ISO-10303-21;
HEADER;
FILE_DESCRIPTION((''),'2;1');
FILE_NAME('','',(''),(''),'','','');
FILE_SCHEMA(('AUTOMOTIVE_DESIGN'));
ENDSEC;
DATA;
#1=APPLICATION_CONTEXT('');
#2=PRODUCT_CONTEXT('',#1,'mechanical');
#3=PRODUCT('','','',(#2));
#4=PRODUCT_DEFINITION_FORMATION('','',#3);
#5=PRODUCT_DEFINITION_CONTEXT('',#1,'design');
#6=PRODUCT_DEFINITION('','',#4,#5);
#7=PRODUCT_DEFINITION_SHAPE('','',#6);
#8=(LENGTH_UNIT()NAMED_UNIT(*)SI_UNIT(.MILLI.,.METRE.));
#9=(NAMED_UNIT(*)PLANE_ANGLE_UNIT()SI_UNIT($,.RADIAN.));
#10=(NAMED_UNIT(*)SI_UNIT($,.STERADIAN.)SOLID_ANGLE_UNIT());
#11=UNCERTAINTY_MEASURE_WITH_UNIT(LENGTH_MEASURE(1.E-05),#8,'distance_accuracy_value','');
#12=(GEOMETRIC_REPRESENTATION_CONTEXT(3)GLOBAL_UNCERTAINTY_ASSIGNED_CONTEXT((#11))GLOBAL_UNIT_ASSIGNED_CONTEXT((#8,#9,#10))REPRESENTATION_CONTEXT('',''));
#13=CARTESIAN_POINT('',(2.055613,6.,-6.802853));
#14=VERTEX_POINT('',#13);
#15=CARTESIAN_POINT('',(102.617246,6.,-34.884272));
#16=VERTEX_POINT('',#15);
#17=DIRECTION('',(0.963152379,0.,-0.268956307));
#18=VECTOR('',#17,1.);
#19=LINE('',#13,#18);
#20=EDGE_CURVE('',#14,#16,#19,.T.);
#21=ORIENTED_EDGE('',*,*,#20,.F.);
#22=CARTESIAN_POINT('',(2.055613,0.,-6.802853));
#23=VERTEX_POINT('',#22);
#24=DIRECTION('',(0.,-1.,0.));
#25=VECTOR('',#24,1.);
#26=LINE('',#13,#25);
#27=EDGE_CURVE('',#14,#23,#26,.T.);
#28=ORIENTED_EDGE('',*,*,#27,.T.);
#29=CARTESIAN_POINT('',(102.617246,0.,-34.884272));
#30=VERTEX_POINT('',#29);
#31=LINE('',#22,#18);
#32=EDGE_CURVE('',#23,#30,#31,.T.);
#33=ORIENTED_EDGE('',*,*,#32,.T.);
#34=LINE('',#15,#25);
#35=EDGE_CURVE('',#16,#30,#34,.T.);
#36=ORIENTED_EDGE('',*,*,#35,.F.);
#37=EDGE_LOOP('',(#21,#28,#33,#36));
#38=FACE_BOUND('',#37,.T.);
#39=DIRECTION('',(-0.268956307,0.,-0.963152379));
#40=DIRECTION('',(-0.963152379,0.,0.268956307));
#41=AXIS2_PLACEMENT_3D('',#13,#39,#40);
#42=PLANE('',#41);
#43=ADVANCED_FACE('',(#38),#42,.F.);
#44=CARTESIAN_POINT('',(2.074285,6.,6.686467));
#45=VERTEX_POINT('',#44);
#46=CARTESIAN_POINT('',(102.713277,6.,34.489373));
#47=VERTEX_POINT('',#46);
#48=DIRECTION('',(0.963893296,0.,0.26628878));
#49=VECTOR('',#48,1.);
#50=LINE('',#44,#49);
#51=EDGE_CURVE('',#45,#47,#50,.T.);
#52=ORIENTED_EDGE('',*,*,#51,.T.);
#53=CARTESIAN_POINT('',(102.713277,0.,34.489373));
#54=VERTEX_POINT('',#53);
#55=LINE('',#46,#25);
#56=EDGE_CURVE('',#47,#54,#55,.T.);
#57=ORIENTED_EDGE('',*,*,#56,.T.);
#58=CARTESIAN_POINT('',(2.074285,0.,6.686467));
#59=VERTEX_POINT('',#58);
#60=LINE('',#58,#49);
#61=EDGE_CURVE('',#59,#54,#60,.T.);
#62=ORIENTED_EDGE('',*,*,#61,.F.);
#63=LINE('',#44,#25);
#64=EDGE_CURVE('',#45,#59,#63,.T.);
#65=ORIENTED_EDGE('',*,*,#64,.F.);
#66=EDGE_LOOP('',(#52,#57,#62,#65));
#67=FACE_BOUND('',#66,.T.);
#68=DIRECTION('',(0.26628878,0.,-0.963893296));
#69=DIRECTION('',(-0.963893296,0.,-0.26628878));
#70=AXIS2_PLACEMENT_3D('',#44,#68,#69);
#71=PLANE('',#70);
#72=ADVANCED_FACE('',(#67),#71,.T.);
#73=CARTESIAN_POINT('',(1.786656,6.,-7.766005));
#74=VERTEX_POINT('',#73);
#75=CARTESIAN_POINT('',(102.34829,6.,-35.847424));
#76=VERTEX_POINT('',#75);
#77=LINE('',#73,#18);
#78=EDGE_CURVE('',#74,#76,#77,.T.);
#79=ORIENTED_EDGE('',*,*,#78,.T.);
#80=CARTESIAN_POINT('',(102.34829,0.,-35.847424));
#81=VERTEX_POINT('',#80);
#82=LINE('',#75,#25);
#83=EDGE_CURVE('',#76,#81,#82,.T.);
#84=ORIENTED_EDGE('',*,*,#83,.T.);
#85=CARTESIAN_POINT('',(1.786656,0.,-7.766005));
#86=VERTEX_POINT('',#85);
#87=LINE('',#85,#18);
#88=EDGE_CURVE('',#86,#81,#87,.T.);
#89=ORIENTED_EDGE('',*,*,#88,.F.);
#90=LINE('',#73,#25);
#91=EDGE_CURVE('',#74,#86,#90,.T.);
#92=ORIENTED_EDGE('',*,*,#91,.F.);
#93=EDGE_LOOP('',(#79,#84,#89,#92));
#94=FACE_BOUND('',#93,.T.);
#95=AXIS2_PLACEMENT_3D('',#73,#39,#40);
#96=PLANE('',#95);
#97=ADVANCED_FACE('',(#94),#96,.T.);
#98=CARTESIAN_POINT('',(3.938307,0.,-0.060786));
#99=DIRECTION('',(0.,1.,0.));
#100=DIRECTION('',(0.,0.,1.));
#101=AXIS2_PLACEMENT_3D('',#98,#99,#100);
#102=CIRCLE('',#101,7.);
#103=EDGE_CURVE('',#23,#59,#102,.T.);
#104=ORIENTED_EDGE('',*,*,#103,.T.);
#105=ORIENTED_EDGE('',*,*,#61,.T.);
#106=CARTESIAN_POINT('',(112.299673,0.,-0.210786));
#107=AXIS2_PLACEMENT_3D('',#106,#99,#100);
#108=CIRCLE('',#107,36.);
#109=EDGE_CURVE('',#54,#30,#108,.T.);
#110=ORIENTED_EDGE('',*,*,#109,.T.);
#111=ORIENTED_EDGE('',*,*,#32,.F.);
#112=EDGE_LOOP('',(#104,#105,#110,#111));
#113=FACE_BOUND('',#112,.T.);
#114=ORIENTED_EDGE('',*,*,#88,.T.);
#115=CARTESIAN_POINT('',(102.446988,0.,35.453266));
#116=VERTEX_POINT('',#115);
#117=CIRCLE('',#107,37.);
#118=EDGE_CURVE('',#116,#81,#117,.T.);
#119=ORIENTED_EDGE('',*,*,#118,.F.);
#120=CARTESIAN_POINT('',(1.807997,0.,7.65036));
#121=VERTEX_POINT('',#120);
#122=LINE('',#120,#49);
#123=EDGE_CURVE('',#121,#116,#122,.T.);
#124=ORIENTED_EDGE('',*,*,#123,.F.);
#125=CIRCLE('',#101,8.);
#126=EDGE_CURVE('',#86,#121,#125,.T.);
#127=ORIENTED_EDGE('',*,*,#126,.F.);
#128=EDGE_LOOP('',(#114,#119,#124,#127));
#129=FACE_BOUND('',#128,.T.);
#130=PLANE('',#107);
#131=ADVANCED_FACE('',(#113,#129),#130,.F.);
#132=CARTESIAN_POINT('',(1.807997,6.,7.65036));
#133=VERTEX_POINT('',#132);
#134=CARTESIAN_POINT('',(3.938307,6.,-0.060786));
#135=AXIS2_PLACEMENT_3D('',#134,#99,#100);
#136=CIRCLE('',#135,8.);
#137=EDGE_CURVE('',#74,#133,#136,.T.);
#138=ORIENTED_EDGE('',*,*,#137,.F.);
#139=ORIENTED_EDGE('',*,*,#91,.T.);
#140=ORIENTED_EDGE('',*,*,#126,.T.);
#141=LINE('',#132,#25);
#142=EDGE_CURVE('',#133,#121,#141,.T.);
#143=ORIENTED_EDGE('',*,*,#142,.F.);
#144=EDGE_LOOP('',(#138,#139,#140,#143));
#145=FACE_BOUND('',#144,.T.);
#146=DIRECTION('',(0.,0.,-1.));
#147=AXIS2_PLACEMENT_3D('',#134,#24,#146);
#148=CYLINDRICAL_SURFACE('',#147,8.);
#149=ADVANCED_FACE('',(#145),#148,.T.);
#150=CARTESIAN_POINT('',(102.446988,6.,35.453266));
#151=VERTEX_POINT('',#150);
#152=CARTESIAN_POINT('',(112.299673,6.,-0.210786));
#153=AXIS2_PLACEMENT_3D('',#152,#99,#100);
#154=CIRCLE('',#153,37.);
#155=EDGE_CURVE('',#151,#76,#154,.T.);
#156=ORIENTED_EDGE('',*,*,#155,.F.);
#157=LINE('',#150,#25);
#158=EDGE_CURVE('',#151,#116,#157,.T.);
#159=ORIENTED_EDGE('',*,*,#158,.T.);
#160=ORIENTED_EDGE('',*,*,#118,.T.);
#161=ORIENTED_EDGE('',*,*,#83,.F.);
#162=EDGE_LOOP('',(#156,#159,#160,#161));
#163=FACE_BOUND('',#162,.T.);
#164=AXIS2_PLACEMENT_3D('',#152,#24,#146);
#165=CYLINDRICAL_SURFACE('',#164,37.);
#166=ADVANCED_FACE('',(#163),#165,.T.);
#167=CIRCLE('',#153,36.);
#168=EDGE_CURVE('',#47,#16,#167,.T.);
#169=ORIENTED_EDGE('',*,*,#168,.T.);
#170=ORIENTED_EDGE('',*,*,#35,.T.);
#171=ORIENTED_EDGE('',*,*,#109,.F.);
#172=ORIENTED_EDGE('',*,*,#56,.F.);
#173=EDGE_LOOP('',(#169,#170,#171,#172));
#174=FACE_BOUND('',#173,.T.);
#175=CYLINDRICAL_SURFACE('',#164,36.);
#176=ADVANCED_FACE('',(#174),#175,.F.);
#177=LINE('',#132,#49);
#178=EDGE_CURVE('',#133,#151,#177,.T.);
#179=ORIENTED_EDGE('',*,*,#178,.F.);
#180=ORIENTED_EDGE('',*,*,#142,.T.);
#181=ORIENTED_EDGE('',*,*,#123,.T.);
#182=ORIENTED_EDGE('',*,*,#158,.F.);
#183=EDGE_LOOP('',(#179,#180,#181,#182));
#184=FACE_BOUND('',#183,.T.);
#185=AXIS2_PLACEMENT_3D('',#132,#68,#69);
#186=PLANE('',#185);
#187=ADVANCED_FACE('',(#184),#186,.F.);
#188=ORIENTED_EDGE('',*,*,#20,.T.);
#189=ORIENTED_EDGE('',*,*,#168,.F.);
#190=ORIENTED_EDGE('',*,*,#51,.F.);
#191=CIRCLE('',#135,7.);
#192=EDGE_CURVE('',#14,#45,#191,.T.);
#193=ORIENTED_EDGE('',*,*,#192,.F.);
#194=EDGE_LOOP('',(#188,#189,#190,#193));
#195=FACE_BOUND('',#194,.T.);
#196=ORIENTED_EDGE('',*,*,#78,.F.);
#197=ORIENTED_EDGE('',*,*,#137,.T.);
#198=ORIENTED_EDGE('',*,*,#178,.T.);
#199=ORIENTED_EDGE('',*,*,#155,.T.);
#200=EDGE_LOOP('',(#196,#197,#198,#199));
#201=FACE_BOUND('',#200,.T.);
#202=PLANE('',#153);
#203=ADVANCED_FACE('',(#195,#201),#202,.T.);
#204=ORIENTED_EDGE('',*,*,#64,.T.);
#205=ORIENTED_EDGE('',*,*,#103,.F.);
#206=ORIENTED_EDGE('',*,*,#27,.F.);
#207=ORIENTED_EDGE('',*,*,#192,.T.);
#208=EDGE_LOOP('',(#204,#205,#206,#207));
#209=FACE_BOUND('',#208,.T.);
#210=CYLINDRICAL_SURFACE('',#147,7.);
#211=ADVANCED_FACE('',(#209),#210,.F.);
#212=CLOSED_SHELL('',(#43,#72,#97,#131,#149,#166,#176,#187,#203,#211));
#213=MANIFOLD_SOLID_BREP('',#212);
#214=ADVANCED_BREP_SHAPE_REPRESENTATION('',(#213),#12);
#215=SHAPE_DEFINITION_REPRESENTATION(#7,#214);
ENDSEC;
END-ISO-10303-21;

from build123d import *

# Parameters (mm, degrees)
BOSS_EXTRUDE1_DEPTH = 6


with BuildPart() as part:
    # Sketch1 → Boss-Extrude1 (new body)
    with BuildSketch(Plane(origin=(0, 0, 0), x_dir=(1, 0, 0), z_dir=(0, 1, 0))):
        with BuildLine():
            Line((1.807996662, -7.65036043), (102.446988033, -35.453266004))
            ThreePointArc((102.446988033, -35.453266004), (149.299637462, 0.262003402), (102.348289541, 35.84742395))
            Line((102.348289541, 35.84742395), (1.786656447, 7.766004966))
            ThreePointArc((1.786656447, 7.766004966), (-4.06168543, 0.049711888), (1.807996662, -7.65036043))
        make_face()
        with BuildLine():
            Line((2.074285442, -6.686467134), (102.713276814, -34.489372708))
            ThreePointArc((102.713276814, -34.489372708), (148.29963842, 0.260619146), (102.617245848, 34.884271571))
            Line((102.617245848, 34.884271571), (2.055612755, 6.802852587))
            ThreePointArc((2.055612755, 6.802852587), (-3.061686388, 0.051096144), (2.074285442, -6.686467134))
        make_face(mode=Mode.SUBTRACT)
    extrude(amount=BOSS_EXTRUDE1_DEPTH)


solid = part.part
